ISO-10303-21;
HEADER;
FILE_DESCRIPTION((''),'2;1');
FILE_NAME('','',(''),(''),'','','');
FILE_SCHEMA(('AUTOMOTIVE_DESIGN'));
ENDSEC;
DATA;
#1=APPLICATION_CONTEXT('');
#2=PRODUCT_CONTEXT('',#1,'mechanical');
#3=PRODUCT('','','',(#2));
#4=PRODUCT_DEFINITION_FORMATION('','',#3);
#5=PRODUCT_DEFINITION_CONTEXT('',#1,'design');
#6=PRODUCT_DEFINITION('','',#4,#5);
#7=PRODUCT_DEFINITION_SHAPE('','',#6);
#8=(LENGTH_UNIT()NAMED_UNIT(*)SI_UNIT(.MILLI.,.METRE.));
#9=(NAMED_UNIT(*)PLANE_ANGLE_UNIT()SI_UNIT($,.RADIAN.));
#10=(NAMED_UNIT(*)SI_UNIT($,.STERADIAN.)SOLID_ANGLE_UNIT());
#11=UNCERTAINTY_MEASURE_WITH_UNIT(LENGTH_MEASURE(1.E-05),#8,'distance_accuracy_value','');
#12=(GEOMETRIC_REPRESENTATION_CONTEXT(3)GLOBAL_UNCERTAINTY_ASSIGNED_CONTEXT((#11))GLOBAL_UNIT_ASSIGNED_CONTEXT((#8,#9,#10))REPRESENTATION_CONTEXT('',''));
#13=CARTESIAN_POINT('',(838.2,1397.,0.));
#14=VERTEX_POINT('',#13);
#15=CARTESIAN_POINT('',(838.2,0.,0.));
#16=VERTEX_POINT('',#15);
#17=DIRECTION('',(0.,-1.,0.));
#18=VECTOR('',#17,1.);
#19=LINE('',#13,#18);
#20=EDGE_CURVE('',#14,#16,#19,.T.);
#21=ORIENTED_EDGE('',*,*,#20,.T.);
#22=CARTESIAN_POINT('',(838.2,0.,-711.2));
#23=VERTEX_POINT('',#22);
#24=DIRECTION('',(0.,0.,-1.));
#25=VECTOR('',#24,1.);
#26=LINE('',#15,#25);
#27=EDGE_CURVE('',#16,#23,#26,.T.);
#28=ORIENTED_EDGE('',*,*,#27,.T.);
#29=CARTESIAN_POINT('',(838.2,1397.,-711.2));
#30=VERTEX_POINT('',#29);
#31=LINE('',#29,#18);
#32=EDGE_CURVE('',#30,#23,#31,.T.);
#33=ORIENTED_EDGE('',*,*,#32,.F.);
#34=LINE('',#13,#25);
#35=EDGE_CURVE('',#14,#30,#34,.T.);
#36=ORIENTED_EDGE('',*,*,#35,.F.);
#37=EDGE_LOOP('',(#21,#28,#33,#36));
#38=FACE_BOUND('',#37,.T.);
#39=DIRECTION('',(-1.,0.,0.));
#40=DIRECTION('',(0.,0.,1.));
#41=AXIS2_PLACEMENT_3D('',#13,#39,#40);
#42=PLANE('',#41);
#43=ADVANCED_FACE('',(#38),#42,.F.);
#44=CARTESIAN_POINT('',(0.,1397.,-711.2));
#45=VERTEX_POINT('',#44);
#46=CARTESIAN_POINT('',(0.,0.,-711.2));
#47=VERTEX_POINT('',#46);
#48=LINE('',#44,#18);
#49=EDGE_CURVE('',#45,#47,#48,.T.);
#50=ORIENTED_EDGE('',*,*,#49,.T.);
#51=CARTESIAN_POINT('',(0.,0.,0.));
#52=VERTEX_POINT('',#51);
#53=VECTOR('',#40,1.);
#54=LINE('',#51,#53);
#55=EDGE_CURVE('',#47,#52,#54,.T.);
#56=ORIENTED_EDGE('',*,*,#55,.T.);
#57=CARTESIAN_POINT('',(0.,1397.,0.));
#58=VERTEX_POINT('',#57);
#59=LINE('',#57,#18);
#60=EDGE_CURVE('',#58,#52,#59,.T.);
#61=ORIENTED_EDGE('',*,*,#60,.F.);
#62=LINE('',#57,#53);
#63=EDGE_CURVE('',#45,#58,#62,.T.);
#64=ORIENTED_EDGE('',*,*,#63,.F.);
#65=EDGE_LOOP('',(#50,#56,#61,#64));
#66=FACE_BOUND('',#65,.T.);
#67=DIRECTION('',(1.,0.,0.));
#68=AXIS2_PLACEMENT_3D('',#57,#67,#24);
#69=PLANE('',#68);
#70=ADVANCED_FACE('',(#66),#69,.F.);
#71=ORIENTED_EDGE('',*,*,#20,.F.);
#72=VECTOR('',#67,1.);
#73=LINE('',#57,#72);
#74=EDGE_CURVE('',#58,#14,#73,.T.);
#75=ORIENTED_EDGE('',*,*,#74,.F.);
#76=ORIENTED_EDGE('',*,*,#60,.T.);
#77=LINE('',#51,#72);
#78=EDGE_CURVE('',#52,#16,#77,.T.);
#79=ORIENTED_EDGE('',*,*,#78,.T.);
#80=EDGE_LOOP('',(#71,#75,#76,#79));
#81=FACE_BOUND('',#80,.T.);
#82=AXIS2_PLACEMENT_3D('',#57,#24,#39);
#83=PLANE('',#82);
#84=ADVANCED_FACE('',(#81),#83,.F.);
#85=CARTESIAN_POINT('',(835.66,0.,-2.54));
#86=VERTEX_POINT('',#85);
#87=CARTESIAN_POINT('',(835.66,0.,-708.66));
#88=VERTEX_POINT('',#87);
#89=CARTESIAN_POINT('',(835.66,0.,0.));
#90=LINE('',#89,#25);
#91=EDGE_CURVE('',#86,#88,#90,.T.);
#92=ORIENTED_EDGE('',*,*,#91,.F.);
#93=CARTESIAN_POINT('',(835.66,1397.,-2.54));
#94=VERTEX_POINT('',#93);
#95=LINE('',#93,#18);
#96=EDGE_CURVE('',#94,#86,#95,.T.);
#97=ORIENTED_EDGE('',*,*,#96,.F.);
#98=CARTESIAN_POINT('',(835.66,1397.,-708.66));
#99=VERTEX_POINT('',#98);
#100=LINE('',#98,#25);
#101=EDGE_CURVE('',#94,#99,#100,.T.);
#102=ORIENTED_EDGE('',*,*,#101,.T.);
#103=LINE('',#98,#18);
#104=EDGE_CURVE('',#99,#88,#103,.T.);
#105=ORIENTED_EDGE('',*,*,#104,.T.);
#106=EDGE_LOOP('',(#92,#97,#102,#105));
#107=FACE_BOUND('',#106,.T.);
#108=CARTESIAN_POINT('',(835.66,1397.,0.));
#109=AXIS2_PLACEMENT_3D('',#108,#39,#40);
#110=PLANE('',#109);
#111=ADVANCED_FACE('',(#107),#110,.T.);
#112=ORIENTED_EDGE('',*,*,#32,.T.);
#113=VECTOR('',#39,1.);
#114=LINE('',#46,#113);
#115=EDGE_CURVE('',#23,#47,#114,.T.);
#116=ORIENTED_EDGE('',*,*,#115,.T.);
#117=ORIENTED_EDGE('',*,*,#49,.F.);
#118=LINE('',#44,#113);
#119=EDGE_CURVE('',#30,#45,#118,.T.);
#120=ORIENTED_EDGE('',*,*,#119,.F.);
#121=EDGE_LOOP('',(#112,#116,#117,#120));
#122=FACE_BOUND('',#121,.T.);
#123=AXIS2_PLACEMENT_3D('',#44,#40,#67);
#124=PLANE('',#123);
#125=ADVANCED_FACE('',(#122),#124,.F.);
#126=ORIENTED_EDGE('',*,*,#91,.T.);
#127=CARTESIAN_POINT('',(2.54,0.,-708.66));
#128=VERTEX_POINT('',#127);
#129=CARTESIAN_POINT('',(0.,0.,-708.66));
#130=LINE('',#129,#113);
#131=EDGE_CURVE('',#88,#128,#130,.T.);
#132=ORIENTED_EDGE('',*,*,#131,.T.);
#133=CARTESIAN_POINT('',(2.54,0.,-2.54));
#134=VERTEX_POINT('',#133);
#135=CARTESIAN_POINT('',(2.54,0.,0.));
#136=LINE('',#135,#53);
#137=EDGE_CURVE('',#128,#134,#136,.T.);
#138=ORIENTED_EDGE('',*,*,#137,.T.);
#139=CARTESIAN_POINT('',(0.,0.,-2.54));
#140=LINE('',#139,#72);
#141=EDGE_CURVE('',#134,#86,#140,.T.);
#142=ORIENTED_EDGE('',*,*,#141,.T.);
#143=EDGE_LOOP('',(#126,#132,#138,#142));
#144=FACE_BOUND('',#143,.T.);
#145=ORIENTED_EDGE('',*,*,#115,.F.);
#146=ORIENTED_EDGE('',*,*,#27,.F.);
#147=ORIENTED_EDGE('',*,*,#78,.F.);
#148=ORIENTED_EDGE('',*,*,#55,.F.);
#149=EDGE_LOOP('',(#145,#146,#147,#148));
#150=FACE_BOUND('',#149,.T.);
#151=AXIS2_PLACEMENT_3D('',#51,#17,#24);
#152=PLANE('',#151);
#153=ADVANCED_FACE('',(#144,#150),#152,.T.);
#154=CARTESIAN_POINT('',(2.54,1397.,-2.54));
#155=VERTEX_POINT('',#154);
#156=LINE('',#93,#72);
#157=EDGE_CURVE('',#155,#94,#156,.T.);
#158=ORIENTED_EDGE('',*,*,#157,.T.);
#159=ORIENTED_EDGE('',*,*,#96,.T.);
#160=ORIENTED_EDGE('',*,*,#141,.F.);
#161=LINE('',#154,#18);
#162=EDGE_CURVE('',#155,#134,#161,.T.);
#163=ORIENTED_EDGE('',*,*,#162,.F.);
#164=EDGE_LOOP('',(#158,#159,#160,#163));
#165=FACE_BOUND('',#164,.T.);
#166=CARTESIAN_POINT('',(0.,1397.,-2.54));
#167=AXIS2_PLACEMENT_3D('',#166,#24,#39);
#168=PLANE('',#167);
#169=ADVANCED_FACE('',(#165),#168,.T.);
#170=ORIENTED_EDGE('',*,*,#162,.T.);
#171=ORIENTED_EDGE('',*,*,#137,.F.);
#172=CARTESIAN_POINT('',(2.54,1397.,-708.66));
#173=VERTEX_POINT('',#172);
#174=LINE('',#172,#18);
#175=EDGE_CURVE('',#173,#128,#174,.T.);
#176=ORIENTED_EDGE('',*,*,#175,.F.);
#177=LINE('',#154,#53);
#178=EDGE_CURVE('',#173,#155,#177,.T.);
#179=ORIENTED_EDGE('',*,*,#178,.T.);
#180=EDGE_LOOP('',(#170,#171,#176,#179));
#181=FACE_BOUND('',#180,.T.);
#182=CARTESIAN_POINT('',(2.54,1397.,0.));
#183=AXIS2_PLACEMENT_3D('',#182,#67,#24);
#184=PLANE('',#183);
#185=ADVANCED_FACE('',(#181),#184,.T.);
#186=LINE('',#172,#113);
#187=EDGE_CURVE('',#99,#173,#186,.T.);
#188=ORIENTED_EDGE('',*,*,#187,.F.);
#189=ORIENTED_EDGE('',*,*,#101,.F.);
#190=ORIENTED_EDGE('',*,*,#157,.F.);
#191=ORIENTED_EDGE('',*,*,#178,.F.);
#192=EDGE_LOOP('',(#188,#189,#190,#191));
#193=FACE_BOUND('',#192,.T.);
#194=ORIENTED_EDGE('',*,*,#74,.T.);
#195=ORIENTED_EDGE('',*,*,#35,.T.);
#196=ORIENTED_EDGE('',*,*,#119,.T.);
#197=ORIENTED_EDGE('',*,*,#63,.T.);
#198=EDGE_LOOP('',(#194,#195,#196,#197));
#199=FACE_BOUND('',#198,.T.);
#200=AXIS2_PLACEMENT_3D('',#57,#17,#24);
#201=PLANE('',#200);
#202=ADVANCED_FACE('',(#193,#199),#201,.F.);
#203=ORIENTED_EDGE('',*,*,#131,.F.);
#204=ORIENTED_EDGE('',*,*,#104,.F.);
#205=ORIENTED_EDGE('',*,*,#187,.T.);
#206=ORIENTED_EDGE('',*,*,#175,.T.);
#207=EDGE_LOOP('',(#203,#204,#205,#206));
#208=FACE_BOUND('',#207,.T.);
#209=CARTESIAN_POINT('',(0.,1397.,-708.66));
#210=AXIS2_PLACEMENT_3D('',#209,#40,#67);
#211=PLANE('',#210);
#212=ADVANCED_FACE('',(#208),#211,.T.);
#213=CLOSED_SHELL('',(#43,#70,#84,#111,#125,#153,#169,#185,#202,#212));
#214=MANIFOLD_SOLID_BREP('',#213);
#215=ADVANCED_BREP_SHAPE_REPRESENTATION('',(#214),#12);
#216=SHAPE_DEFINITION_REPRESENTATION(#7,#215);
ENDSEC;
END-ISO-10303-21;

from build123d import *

# Parameters (mm, degrees)
SKETCH1_W           = 838.2
SKETCH1_H           = 711.2
BOSS_EXTRUDE1_DEPTH = 1397
SHELL1_T            = -2.54
CUT_EXTRUDE1_REACH  = 4.54
SKETCH2_W           = 833.12
SKETCH2_H           = 706.12


with BuildPart() as part:
    # Sketch1 → Boss-Extrude1 (new body)
    with BuildSketch(Plane(origin=(0, 0, 0), x_dir=(1, 0, 0), z_dir=(0, 1, 0))):
        with Locations((419.1, 355.6)):
            Rectangle(SKETCH1_W, SKETCH1_H)
    extrude(amount=BOSS_EXTRUDE1_DEPTH)

    # Shell1
    shell1_openings = [part.faces().sort_by_distance(p)[0] for p in [
        (419.1, 0, -355.6),
    ]]
    offset(amount=SHELL1_T, openings=shell1_openings, kind=Kind.INTERSECTION)

    # Sketch2 → Cut-Extrude1 (cut, up to next)
    with BuildSketch(Plane.XZ.offset(-1394.46), mode=Mode.PRIVATE) as cut_extrude1_sk1:
        with Locations((419.1, -355.6)):
            Rectangle(SKETCH2_W, SKETCH2_H)
    cut_extrude1_tool1 = extrude(cut_extrude1_sk1.sketch, amount=-CUT_EXTRUDE1_REACH, mode=Mode.PRIVATE) & part.part
    add(cut_extrude1_tool1.solids().sort_by_distance((419.1, 1394.46, -355.6))[0], mode=Mode.SUBTRACT)


solid = part.part
